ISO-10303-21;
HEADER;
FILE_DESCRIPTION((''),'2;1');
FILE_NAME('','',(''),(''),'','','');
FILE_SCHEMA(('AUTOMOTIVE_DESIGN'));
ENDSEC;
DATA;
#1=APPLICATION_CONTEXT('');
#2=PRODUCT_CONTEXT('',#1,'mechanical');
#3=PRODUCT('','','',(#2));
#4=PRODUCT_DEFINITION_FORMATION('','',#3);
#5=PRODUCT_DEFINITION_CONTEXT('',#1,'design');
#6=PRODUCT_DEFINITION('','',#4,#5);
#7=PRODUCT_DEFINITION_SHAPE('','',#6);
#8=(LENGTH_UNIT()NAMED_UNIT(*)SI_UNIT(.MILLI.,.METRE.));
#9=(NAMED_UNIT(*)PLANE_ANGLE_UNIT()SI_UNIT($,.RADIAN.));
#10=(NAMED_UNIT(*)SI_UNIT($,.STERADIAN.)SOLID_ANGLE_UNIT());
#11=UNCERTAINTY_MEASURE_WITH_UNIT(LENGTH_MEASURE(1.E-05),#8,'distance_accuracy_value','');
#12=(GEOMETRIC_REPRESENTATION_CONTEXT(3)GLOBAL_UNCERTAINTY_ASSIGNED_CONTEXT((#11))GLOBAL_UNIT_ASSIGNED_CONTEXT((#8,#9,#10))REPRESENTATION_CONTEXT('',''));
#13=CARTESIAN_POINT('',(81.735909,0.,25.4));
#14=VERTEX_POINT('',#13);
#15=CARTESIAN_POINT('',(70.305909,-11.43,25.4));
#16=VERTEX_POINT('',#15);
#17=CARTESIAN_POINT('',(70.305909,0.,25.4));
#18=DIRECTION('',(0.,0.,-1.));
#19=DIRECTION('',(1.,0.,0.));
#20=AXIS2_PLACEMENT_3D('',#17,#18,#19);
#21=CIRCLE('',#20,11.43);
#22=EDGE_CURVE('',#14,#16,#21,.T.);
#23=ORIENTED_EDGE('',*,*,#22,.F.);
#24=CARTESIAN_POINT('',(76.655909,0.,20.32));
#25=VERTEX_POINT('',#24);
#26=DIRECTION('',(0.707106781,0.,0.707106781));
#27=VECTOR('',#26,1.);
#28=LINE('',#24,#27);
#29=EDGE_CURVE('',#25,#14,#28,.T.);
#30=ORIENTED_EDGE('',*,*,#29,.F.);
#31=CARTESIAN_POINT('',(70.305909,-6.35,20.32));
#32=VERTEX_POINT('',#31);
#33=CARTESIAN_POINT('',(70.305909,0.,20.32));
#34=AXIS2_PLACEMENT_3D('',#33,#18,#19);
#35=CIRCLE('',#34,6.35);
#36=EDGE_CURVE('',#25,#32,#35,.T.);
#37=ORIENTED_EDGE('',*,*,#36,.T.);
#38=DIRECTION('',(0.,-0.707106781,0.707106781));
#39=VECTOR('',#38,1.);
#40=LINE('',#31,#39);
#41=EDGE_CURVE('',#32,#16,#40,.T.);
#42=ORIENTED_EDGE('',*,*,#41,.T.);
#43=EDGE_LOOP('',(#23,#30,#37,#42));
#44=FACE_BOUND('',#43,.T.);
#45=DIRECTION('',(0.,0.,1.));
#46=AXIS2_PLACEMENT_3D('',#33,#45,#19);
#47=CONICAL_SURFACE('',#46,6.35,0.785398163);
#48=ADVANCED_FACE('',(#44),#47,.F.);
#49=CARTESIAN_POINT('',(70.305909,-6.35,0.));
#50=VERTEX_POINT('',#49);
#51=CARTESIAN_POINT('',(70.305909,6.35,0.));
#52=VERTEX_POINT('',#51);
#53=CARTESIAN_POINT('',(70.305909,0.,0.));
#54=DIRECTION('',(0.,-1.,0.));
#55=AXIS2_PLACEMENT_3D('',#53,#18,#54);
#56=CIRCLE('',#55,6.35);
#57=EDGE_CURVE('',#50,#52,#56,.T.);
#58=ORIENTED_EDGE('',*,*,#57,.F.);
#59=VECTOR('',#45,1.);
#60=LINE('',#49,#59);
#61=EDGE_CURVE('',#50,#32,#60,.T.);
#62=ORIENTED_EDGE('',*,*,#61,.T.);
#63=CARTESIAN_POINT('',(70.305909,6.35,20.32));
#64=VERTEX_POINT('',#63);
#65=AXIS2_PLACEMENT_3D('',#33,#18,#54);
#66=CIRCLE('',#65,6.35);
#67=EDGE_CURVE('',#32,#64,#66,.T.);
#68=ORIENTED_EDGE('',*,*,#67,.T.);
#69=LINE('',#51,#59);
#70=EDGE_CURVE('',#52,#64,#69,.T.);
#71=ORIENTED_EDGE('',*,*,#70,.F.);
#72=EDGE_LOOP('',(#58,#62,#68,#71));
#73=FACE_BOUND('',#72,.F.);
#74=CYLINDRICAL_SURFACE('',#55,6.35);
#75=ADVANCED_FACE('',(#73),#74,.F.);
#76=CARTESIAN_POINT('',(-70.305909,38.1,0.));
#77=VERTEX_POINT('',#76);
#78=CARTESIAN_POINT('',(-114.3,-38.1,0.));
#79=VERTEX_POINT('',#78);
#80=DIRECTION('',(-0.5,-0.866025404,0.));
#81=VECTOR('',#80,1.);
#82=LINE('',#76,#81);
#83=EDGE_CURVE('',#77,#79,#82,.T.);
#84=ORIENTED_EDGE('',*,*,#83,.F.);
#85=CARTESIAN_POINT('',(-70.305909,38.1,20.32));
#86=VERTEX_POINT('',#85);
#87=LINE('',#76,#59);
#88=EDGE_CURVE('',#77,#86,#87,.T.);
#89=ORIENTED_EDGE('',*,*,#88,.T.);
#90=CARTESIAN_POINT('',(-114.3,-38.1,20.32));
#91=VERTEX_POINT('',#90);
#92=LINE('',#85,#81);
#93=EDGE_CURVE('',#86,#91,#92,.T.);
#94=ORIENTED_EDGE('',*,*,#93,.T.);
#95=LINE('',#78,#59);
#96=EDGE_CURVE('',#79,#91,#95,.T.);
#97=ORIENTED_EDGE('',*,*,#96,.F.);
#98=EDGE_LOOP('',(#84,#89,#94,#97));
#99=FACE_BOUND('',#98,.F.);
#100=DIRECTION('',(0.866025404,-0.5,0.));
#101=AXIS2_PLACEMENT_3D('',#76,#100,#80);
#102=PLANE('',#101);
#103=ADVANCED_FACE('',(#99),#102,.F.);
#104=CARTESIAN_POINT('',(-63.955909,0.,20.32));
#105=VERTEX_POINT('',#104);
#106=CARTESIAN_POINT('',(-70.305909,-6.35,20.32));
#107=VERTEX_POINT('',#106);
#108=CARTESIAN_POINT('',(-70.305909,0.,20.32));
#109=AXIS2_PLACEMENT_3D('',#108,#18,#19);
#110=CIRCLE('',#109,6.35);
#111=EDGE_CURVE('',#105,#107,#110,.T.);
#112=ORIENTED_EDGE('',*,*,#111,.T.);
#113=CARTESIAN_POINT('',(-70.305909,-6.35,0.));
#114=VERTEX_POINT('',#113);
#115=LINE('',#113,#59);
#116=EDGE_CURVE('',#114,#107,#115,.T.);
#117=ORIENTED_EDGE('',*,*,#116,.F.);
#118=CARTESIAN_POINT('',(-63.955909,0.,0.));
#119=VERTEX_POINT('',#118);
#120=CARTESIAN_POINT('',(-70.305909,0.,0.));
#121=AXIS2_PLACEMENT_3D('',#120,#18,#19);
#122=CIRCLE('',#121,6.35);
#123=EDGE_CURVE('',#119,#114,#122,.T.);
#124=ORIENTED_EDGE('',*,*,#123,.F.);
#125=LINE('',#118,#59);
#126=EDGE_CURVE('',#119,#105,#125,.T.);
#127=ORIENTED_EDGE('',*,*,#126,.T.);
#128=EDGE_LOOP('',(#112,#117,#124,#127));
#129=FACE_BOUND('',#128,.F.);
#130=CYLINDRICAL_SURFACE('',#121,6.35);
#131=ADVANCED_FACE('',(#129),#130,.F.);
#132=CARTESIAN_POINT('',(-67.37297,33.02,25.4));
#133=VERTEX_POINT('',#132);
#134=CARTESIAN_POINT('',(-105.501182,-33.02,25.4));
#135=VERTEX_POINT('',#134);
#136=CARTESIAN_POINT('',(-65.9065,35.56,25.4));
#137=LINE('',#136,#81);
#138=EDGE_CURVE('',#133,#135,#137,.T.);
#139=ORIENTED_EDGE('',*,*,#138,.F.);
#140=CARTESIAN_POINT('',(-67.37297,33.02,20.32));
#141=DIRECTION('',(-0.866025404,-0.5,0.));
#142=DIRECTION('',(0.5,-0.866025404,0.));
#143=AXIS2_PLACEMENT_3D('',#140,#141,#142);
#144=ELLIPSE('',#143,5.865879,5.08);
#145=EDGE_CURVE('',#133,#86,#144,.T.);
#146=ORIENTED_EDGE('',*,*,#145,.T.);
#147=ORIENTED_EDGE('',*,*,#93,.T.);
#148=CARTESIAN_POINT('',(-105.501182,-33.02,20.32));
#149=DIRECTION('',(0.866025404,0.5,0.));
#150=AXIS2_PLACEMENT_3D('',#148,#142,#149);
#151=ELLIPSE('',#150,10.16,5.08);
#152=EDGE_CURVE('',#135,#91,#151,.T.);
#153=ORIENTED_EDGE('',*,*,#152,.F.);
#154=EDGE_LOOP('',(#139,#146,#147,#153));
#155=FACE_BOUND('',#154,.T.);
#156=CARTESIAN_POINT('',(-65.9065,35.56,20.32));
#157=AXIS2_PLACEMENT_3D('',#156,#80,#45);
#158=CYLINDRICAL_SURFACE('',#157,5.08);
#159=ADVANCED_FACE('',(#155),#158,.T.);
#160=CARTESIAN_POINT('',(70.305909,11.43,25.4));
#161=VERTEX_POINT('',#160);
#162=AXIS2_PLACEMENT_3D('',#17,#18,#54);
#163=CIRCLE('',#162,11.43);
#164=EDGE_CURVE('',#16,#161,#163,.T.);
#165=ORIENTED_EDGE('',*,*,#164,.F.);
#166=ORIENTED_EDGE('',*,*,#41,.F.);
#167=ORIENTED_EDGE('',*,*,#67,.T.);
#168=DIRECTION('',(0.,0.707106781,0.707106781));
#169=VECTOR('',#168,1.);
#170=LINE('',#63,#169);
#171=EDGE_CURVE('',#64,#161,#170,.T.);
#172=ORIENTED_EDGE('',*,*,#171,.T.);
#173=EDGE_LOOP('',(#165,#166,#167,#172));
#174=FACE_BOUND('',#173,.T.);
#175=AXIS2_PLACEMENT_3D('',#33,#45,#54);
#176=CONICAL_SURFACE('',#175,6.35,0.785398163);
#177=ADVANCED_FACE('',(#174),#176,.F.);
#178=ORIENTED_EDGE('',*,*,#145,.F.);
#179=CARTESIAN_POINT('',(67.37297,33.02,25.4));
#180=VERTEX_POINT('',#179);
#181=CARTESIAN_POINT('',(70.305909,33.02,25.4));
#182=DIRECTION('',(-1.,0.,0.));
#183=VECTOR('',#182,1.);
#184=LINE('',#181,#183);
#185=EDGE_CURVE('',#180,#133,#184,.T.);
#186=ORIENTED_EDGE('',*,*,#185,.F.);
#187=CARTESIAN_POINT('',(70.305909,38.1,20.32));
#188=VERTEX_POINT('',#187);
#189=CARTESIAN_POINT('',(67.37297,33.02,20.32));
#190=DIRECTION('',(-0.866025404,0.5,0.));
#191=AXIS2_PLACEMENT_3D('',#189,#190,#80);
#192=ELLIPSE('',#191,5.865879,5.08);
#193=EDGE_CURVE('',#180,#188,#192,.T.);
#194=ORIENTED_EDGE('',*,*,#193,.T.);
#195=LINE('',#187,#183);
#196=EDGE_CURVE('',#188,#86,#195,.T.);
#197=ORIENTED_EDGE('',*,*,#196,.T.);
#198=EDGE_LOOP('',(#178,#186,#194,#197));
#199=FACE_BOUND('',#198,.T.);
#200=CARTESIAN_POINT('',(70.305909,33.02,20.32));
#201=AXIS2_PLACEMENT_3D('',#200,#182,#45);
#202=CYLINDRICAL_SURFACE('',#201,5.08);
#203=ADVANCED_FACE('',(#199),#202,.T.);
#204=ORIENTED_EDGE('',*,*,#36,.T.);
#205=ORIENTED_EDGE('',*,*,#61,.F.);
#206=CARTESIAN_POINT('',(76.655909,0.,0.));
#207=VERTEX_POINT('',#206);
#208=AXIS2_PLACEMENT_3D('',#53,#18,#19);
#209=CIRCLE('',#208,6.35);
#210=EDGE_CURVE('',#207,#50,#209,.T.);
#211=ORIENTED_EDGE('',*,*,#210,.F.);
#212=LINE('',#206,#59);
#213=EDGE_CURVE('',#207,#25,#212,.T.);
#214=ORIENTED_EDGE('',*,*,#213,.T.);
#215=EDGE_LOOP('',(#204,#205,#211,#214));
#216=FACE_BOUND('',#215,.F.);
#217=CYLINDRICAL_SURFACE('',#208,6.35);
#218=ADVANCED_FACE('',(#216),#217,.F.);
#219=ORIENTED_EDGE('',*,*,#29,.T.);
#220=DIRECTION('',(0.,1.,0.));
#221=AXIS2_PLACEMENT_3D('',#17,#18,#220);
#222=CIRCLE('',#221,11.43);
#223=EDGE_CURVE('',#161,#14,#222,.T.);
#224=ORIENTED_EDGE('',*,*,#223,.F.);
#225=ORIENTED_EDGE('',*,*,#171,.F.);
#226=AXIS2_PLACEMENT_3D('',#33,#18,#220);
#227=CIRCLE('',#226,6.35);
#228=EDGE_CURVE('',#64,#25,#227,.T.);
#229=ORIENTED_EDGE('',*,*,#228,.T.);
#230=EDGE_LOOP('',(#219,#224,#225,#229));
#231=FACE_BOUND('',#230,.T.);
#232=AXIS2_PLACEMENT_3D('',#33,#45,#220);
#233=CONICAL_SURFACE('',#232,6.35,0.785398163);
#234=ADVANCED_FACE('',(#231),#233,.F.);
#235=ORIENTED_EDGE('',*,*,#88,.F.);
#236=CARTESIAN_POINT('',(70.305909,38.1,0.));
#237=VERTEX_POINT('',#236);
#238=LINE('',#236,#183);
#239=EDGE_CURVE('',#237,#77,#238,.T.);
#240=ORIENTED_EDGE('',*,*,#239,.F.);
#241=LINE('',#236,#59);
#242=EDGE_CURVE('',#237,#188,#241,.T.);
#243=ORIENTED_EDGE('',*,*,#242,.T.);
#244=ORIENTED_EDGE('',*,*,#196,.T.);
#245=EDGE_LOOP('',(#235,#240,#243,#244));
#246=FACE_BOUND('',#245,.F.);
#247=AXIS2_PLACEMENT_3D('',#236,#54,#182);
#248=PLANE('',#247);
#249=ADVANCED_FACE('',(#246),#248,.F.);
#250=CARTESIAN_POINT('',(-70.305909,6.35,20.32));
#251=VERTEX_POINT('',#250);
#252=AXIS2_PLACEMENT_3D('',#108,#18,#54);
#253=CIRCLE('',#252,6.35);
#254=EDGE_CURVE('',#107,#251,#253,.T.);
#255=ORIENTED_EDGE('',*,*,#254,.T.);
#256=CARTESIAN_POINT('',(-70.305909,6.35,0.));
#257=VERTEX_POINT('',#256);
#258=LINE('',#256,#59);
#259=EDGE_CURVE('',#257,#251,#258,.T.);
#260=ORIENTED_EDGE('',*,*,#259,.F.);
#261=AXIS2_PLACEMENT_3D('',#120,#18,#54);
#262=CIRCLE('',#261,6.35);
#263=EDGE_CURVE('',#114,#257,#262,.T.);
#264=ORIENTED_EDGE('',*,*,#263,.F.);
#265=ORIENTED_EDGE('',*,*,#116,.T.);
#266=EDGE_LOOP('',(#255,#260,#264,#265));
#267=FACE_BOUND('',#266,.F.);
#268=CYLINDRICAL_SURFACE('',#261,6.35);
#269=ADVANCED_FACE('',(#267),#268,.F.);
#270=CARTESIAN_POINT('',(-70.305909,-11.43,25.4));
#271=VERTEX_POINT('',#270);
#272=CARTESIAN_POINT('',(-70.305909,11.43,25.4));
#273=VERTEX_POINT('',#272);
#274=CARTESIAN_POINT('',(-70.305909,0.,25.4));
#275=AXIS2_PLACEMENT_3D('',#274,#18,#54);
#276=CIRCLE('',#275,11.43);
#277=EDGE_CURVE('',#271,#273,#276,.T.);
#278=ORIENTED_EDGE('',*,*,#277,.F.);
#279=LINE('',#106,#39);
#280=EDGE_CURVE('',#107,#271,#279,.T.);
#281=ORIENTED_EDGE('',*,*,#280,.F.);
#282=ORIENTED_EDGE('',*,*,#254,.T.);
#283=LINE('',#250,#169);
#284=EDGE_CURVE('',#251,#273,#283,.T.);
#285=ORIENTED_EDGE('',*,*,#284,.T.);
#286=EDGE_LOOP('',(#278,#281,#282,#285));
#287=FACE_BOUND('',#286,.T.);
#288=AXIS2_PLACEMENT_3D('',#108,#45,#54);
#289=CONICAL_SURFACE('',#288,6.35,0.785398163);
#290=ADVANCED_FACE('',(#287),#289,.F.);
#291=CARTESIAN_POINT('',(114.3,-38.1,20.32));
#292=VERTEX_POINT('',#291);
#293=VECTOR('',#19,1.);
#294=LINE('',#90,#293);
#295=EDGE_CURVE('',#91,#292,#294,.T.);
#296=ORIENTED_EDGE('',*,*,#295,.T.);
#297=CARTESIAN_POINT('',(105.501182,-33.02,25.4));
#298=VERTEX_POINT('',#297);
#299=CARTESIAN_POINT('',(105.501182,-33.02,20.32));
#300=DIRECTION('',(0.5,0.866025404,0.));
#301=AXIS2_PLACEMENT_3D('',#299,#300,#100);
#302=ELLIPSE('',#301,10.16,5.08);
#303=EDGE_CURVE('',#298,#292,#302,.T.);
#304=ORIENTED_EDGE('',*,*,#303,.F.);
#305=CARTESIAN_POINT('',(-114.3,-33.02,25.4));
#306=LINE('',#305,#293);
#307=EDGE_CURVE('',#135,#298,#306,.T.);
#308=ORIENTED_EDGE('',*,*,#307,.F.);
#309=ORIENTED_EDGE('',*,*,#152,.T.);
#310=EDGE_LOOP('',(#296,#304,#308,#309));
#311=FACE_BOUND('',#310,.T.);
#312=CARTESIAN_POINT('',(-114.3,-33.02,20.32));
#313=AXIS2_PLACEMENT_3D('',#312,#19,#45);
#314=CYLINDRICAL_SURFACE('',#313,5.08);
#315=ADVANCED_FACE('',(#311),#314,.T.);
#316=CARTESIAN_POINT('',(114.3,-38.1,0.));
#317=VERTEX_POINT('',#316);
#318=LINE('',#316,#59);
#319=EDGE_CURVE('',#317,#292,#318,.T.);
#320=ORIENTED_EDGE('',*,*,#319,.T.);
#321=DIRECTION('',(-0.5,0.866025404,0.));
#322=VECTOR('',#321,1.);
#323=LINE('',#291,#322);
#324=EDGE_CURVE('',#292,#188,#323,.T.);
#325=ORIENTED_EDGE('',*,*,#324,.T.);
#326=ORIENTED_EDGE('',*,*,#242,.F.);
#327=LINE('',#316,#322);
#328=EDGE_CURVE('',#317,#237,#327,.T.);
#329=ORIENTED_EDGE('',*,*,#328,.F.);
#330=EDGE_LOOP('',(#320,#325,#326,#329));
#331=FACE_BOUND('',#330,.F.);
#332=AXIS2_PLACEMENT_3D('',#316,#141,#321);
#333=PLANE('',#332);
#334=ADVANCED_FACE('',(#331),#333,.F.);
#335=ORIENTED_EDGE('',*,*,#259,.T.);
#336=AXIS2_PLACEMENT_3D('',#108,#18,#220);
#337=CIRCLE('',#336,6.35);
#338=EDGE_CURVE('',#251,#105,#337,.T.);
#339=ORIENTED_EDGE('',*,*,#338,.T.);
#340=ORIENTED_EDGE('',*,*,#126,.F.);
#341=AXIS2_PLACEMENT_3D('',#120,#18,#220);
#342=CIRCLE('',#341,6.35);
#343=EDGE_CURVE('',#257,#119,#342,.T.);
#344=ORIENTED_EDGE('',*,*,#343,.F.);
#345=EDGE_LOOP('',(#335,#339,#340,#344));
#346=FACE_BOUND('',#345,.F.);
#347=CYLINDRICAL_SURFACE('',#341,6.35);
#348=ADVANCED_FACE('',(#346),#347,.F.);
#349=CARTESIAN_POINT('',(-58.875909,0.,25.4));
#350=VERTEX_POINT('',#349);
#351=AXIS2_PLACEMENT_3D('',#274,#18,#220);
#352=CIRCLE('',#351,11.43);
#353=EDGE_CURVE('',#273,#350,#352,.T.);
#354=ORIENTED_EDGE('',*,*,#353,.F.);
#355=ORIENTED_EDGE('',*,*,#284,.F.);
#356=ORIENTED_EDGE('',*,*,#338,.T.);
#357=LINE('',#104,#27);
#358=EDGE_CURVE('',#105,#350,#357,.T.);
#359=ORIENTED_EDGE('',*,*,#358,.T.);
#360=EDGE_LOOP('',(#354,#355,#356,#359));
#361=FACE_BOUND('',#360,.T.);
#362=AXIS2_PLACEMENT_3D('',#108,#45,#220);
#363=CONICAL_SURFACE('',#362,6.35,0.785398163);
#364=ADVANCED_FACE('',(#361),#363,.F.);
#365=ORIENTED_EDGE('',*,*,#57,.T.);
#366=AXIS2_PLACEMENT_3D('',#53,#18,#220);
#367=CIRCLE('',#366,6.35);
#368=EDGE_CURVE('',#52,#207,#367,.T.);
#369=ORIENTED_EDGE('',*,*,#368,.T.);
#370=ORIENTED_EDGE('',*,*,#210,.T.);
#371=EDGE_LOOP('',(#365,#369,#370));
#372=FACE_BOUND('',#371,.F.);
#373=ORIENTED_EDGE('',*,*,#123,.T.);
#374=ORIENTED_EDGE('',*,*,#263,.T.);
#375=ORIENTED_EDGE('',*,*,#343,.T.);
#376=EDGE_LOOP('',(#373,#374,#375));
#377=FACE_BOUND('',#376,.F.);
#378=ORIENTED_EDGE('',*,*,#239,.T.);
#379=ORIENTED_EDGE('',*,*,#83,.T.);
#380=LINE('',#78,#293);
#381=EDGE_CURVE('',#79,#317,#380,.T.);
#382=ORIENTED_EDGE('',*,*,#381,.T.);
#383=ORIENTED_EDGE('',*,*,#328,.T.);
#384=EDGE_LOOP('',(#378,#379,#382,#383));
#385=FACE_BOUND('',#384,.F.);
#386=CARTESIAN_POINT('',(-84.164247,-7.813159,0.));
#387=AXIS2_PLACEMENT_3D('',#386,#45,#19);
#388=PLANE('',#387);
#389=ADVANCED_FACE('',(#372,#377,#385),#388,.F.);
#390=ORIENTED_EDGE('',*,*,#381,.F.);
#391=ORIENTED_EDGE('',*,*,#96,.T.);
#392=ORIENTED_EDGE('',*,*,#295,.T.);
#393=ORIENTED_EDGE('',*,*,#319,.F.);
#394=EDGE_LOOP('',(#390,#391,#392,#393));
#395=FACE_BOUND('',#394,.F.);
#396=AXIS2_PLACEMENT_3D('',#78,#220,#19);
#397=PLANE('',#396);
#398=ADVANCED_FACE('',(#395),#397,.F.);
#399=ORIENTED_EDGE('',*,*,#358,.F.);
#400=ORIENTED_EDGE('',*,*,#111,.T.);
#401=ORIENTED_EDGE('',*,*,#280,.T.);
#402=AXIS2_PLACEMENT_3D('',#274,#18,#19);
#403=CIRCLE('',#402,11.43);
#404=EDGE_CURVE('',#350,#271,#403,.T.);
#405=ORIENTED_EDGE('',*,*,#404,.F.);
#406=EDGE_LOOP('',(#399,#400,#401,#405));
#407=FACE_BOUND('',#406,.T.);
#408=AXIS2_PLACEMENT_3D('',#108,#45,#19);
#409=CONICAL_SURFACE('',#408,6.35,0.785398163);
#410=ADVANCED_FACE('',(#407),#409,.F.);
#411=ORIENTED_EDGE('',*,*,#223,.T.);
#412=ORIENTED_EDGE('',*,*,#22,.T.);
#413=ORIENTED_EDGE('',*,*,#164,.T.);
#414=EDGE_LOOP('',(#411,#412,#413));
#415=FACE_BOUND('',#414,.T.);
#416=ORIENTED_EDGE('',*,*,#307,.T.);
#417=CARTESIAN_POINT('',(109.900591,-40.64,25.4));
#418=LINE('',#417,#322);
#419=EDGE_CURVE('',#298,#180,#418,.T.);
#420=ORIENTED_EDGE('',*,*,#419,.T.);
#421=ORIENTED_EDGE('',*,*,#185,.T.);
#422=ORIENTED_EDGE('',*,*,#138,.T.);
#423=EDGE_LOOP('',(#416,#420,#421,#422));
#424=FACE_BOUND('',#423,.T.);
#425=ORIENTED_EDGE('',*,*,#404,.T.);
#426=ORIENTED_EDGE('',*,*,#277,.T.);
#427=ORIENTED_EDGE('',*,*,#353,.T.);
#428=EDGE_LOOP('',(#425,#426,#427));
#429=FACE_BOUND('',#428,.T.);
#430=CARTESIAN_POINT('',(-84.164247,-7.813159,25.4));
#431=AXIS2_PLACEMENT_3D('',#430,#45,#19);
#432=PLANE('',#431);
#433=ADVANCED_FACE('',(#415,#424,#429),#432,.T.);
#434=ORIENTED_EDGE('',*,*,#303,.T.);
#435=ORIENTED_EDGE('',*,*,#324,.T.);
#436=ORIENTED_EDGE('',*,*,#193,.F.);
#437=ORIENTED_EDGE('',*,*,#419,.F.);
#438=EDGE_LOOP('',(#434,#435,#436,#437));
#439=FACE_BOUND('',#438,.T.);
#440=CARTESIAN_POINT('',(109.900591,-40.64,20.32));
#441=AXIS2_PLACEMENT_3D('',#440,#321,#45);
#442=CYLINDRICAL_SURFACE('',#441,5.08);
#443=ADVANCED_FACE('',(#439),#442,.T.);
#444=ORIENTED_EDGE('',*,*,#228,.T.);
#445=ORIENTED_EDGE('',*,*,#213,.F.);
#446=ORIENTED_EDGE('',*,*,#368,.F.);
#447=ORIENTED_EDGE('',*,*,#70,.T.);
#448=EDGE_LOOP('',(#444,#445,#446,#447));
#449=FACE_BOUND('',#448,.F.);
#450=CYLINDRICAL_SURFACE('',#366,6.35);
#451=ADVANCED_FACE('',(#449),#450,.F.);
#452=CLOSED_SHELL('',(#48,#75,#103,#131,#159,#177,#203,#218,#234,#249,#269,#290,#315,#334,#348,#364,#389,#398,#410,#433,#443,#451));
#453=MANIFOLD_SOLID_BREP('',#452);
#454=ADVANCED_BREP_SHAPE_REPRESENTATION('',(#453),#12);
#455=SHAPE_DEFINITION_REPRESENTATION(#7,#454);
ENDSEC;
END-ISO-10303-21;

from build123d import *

# Parameters (mm, degrees)
F1_DEPTH = 25.4
F2_SIZE  = 5.08
F3_R     = 5.08


with BuildPart() as f1:
    # F0 (on Top) → F1 (new body)
    with BuildSketch(Plane.XY):
        with BuildLine():
            Line((-70.3059094878, 6.35), (-70.3059094878, 38.1))
            Line((-70.3059094878, 38.1), (-114.3, -38.1))
            Line((-114.3, -38.1), (-70.3059094878, -38.1))
            Line((-70.3059094878, -38.1), (-70.3059094878, -6.35))
            ThreePointArc((-70.3059094878, -6.35), (-76.6559094878, 0), (-70.3059094878, 6.35))
        make_face()
        with BuildLine():
            Line((70.3059094878, 6.35), (70.3059094878, 38.1))
            Line((70.3059094878, 38.1), (-70.3059094878, 38.1))
            Line((-70.3059094878, 38.1), (-70.3059094878, 6.35))
            ThreePointArc((-70.3059094878, 6.35), (-65.8157814272, 4.4901280605), (-63.9559094878, 0))
            ThreePointArc((-63.9559094878, 0), (-65.8157814272, -4.4901280605), (-70.3059094878, -6.35))
            Line((-70.3059094878, -6.35), (-70.3059094878, -38.1))
            Line((-70.3059094878, -38.1), (70.3059094878, -38.1))
            Line((70.3059094878, -38.1), (70.3059094878, -6.35))
            ThreePointArc((70.3059094878, -6.35), (63.9559094878, 0), (70.3059094878, 6.35))
        make_face()
        with BuildLine():
            Line((114.3, -38.1), (70.3059094878, 38.1))
            Line((70.3059094878, 38.1), (70.3059094878, 6.35))
            ThreePointArc((70.3059094878, 6.35), (74.7960375483, 4.4901280605), (76.6559094878, 0))
            ThreePointArc((76.6559094878, 0), (74.7960375483, -4.4901280605), (70.3059094878, -6.35))
            Line((70.3059094878, -6.35), (70.3059094878, -38.1))
            Line((70.3059094878, -38.1), (114.3, -38.1))
        make_face()
    extrude(amount=F1_DEPTH)

    # F2
    f2_edges = [f1.edges().sort_by_distance(p)[0] for p in [
        (-70.305909, -6.35, 25.4),
        (70.305909, -6.35, 25.4),
    ]]
    chamfer(f2_edges, length=F2_SIZE)

    # F3
    f3_edges = [f1.edges().sort_by_distance(p)[0] for p in [
        (0, -38.1, 25.4),
        (-92.302955, 0, 25.4),
        (0, 38.1, 25.4),
        (92.302955, 0, 25.4),
    ]]
    fillet(f3_edges, radius=F3_R)


solid = f1.part
